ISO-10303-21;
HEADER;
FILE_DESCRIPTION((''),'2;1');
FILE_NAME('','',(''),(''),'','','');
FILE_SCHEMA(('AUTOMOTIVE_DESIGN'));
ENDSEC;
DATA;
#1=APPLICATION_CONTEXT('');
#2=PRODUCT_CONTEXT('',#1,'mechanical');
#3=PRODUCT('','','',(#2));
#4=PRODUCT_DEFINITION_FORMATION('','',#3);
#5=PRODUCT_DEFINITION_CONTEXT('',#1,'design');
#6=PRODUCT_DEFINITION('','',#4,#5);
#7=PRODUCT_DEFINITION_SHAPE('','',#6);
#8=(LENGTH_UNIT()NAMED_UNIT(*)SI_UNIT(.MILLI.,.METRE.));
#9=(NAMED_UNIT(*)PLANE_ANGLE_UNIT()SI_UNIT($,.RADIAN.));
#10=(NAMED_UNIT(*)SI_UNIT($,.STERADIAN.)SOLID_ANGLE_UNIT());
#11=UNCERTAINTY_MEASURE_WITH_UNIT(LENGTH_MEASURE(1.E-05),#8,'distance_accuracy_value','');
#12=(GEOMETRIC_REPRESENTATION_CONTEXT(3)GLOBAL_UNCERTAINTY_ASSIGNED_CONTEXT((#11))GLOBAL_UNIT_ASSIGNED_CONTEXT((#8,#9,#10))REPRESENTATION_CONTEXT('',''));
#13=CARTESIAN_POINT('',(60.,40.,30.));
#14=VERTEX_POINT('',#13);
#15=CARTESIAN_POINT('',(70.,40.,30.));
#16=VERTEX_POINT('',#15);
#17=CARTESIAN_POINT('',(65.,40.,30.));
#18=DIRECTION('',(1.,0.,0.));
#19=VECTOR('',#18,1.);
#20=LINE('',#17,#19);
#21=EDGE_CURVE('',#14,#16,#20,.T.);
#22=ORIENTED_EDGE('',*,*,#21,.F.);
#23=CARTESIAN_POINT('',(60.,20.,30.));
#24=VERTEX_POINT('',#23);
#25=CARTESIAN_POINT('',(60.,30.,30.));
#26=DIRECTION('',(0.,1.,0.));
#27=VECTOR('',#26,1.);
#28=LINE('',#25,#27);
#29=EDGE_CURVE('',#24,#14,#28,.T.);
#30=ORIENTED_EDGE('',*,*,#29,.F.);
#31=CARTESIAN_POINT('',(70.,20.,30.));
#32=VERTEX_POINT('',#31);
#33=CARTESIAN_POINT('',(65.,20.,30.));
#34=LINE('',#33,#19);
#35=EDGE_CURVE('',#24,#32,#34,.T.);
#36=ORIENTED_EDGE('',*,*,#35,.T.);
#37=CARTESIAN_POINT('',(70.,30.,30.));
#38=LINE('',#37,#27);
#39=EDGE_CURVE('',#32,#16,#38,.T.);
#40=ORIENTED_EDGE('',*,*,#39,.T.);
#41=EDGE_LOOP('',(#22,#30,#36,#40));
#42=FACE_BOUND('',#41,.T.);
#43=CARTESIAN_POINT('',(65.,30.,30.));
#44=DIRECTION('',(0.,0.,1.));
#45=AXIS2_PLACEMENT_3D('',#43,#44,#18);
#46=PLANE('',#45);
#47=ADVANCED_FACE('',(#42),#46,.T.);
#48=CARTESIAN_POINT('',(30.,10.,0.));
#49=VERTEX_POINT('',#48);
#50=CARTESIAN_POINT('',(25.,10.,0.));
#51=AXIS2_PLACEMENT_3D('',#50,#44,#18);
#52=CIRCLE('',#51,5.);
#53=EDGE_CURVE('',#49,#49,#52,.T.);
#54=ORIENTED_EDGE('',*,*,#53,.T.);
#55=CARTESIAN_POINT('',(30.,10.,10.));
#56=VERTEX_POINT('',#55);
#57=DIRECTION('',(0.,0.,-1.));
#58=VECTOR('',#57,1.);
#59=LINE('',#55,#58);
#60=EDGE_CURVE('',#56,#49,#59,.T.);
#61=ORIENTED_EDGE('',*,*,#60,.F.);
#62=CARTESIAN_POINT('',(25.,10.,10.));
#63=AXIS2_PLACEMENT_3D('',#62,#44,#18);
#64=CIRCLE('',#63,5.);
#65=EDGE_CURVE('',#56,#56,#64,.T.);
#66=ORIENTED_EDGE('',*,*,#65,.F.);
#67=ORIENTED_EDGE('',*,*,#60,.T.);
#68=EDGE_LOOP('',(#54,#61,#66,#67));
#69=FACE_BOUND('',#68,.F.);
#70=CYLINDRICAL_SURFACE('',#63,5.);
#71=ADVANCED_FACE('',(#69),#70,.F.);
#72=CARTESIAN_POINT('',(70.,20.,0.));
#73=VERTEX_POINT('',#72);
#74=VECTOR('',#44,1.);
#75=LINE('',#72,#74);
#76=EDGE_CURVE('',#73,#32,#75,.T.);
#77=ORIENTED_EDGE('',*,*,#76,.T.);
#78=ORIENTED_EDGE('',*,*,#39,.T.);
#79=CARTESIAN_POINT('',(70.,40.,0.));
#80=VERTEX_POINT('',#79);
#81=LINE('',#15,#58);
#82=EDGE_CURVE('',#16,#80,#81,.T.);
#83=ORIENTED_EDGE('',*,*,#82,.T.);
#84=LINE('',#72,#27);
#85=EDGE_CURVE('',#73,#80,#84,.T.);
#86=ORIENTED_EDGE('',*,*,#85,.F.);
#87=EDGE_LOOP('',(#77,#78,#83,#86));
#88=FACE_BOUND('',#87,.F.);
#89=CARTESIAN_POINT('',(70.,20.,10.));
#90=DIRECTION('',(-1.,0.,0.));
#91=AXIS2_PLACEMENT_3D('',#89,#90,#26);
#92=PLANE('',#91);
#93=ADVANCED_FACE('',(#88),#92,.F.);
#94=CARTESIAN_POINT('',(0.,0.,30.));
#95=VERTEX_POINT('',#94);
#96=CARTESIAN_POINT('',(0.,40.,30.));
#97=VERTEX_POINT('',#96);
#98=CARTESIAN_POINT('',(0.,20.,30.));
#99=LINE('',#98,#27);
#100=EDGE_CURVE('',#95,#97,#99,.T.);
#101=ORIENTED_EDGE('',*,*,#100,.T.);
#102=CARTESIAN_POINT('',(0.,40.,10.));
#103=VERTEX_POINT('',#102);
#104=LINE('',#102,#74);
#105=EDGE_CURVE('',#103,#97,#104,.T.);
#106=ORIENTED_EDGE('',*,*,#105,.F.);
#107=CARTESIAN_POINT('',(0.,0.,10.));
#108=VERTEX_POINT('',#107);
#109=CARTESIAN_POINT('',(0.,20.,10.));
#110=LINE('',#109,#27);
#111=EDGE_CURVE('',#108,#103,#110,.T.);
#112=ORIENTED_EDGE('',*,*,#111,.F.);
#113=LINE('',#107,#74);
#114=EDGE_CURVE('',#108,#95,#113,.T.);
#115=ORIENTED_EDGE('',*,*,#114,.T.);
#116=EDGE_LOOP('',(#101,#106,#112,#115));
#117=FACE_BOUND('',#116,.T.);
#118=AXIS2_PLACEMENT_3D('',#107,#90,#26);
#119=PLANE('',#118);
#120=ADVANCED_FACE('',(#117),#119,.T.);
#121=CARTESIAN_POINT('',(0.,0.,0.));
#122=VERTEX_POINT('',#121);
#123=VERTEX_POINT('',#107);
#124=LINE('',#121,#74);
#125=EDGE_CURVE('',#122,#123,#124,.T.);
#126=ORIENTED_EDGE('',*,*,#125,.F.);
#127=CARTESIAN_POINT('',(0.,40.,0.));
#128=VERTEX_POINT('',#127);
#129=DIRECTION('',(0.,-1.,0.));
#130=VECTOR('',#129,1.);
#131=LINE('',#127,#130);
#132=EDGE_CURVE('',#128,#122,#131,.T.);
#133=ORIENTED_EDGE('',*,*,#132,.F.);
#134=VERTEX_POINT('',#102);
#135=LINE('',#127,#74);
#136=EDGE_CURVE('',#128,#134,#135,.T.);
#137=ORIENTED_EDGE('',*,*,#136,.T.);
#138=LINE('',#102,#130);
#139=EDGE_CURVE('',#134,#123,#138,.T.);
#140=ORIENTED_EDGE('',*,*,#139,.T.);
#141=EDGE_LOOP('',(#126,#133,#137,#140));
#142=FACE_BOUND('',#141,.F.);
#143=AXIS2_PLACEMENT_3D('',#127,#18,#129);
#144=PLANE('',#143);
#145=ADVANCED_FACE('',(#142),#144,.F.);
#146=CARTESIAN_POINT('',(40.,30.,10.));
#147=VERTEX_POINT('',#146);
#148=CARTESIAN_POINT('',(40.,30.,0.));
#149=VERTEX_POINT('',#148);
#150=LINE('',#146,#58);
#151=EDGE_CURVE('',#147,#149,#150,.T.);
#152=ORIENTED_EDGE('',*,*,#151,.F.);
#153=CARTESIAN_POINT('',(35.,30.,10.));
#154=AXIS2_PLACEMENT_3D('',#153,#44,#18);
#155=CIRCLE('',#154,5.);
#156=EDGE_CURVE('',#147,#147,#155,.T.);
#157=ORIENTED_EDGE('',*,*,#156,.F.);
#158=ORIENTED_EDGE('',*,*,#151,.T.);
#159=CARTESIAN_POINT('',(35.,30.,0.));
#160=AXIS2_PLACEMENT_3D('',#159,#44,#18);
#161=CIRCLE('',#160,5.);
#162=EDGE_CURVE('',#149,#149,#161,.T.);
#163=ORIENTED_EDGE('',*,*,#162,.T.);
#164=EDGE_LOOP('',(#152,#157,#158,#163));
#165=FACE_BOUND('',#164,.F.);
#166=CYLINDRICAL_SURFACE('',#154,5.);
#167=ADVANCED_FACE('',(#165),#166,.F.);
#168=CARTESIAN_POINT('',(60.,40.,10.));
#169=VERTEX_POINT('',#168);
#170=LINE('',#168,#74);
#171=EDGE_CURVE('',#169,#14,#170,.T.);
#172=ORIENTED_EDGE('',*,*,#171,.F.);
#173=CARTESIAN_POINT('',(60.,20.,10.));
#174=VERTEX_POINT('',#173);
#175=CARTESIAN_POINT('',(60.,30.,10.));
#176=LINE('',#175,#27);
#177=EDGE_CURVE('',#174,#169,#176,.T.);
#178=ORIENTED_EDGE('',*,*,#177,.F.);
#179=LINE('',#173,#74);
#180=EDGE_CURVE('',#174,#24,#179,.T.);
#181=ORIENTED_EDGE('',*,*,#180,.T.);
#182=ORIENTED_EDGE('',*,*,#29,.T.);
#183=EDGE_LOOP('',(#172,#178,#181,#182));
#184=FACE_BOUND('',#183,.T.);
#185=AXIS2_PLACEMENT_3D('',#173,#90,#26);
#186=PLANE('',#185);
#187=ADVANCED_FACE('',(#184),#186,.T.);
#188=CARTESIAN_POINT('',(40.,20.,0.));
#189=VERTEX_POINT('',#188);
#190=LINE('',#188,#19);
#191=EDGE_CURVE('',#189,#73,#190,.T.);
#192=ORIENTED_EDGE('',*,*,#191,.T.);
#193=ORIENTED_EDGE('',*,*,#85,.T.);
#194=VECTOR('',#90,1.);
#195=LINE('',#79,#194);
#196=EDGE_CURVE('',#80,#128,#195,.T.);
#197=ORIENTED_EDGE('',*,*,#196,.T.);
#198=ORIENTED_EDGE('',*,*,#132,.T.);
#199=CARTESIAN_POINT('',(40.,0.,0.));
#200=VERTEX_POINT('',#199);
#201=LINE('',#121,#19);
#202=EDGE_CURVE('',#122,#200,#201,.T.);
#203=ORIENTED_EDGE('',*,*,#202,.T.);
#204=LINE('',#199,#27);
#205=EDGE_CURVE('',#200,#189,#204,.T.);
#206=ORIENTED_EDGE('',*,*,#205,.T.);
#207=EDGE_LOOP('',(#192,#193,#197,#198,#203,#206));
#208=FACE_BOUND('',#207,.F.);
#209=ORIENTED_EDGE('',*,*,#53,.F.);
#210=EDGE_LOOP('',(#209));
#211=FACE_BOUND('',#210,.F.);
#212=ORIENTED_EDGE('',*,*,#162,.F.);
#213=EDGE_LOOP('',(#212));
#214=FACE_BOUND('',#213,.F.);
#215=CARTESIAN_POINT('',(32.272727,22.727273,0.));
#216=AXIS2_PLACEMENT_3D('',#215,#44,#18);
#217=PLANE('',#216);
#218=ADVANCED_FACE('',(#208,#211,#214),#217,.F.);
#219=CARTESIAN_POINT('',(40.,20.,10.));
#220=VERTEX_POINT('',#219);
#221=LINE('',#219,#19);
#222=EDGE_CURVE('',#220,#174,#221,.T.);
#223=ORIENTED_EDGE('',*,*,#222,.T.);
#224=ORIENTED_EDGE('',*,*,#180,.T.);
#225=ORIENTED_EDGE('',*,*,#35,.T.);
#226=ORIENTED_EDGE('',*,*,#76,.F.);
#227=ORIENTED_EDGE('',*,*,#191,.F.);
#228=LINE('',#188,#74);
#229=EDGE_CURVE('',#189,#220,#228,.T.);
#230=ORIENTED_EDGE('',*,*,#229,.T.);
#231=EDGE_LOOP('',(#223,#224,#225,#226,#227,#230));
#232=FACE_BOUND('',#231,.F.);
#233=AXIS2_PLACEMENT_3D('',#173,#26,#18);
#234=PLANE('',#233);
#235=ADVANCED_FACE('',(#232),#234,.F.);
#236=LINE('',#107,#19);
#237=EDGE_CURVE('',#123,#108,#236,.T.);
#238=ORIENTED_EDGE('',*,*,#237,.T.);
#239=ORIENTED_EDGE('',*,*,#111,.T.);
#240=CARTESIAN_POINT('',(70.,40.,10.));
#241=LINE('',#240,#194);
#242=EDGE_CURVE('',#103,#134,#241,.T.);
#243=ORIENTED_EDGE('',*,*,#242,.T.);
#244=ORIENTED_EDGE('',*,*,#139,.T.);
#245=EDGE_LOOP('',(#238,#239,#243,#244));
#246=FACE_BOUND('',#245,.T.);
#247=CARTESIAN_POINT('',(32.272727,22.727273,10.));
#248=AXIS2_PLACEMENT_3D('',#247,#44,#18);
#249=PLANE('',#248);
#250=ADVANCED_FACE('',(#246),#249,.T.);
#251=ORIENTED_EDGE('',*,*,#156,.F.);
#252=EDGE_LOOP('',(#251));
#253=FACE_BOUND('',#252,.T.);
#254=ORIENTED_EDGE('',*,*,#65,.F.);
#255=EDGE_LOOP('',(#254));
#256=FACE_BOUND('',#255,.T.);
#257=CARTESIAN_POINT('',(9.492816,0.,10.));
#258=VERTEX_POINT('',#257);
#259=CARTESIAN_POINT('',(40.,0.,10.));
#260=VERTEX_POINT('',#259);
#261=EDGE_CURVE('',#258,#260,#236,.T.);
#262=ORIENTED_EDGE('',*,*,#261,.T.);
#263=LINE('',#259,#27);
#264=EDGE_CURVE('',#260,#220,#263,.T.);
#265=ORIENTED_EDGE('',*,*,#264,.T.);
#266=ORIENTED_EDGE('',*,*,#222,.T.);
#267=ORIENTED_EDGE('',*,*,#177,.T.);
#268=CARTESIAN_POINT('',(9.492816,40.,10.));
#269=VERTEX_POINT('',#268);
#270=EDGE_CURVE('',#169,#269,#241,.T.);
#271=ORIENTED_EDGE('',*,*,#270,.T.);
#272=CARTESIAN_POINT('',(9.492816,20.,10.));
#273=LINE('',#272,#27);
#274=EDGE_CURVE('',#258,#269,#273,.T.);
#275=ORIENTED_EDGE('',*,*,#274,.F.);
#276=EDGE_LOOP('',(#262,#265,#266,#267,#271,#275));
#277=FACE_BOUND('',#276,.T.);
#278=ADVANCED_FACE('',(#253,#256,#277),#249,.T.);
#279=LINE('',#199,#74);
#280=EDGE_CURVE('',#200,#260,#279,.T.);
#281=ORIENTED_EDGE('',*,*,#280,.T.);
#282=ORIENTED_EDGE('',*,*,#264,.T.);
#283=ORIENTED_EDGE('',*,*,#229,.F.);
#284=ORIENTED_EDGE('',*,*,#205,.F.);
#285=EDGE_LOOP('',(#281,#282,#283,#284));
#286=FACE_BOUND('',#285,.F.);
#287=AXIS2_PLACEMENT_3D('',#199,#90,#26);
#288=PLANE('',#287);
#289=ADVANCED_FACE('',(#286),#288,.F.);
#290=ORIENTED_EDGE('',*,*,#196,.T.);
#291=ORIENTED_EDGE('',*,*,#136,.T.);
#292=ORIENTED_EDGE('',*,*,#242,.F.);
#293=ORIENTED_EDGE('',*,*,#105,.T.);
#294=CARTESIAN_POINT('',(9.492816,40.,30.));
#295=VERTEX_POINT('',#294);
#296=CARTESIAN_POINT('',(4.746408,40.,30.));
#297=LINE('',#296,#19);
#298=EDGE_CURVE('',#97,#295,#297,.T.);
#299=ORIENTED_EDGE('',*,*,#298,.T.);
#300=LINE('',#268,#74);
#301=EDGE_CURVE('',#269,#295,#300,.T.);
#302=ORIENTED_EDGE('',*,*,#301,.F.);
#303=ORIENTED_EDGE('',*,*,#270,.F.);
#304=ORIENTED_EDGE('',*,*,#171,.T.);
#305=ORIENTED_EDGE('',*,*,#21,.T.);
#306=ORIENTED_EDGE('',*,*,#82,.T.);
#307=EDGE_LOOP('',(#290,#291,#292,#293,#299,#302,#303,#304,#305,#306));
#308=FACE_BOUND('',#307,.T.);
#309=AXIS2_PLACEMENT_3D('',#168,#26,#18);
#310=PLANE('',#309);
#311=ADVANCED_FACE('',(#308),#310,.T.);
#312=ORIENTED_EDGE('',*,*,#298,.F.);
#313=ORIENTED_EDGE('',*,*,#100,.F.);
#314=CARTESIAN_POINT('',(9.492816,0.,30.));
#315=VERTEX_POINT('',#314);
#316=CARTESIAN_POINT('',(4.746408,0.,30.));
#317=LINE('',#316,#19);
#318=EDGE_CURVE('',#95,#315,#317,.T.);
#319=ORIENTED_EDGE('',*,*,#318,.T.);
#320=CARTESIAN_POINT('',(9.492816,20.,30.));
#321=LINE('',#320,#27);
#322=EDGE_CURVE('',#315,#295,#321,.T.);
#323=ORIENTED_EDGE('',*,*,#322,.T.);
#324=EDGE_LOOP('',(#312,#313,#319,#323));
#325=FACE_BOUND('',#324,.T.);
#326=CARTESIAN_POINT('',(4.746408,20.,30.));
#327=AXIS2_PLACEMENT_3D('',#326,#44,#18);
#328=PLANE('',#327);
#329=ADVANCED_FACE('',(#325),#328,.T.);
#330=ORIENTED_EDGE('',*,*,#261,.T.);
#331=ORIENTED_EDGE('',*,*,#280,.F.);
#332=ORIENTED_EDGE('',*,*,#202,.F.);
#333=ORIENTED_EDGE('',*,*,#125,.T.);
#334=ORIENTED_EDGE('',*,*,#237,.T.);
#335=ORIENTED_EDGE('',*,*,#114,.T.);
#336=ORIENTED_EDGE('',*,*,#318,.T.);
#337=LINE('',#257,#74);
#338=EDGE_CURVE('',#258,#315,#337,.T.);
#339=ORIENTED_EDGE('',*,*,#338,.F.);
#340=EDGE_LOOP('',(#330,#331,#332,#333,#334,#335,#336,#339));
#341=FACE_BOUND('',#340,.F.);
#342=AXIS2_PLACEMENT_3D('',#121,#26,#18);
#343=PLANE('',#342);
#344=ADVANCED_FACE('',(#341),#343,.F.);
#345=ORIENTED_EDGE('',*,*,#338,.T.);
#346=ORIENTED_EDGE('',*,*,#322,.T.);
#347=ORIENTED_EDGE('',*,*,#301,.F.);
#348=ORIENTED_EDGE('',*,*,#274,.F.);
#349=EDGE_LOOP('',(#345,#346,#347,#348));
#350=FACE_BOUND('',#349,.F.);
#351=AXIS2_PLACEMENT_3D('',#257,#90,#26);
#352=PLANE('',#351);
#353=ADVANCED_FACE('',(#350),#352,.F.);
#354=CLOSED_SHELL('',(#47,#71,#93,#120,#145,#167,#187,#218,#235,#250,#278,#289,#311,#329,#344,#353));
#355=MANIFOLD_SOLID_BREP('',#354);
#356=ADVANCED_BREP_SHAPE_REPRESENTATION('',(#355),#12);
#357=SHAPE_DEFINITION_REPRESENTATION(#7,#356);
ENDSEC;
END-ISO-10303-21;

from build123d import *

# Parameters (mm, degrees)
F1_DEPTH = 10
F2_W     = 9.492815
F2_H     = 40
F3_DEPTH = 20
F4_W     = 10
F4_H     = 20
F5_DEPTH = 20
F6_R     = 5
F7_DEPTH = 10.001
F8_R     = 5
F9_DEPTH = 10.001


with BuildPart() as f1:
    # F0 (on Top) → F1 (new body)
    with BuildSketch(Plane.XY):
        Polygon((0, 40), (0, 0), (40, 0), (40, 20), (70, 20), (70, 40), align=None)
    extrude(amount=F1_DEPTH)

    # F2 (on face) → F3 (join)
    with BuildSketch(Plane.XY.offset(10)):
        with Locations((4.746408, 20)):
            Rectangle(F2_W, F2_H)
    extrude(amount=F3_DEPTH)

    # F4 (on face) → F5 (join)
    with BuildSketch(Plane.XY.offset(10)):
        with Locations((65, 30)):
            Rectangle(F4_W, F4_H)
    extrude(amount=F5_DEPTH)

    # F6 (on face) → F7 (cut, through all)
    with BuildSketch(Plane.XY.offset(10)):
        with Locations((25, 10)):
            Circle(F6_R)
    extrude(amount=-F7_DEPTH, mode=Mode.SUBTRACT)

    # F8 (on face) → F9 (cut, through all)
    with BuildSketch(Plane.XY.offset(10)):
        with Locations((35, 30)):
            Circle(F8_R)
    extrude(amount=-F9_DEPTH, mode=Mode.SUBTRACT)


solid = f1.part
